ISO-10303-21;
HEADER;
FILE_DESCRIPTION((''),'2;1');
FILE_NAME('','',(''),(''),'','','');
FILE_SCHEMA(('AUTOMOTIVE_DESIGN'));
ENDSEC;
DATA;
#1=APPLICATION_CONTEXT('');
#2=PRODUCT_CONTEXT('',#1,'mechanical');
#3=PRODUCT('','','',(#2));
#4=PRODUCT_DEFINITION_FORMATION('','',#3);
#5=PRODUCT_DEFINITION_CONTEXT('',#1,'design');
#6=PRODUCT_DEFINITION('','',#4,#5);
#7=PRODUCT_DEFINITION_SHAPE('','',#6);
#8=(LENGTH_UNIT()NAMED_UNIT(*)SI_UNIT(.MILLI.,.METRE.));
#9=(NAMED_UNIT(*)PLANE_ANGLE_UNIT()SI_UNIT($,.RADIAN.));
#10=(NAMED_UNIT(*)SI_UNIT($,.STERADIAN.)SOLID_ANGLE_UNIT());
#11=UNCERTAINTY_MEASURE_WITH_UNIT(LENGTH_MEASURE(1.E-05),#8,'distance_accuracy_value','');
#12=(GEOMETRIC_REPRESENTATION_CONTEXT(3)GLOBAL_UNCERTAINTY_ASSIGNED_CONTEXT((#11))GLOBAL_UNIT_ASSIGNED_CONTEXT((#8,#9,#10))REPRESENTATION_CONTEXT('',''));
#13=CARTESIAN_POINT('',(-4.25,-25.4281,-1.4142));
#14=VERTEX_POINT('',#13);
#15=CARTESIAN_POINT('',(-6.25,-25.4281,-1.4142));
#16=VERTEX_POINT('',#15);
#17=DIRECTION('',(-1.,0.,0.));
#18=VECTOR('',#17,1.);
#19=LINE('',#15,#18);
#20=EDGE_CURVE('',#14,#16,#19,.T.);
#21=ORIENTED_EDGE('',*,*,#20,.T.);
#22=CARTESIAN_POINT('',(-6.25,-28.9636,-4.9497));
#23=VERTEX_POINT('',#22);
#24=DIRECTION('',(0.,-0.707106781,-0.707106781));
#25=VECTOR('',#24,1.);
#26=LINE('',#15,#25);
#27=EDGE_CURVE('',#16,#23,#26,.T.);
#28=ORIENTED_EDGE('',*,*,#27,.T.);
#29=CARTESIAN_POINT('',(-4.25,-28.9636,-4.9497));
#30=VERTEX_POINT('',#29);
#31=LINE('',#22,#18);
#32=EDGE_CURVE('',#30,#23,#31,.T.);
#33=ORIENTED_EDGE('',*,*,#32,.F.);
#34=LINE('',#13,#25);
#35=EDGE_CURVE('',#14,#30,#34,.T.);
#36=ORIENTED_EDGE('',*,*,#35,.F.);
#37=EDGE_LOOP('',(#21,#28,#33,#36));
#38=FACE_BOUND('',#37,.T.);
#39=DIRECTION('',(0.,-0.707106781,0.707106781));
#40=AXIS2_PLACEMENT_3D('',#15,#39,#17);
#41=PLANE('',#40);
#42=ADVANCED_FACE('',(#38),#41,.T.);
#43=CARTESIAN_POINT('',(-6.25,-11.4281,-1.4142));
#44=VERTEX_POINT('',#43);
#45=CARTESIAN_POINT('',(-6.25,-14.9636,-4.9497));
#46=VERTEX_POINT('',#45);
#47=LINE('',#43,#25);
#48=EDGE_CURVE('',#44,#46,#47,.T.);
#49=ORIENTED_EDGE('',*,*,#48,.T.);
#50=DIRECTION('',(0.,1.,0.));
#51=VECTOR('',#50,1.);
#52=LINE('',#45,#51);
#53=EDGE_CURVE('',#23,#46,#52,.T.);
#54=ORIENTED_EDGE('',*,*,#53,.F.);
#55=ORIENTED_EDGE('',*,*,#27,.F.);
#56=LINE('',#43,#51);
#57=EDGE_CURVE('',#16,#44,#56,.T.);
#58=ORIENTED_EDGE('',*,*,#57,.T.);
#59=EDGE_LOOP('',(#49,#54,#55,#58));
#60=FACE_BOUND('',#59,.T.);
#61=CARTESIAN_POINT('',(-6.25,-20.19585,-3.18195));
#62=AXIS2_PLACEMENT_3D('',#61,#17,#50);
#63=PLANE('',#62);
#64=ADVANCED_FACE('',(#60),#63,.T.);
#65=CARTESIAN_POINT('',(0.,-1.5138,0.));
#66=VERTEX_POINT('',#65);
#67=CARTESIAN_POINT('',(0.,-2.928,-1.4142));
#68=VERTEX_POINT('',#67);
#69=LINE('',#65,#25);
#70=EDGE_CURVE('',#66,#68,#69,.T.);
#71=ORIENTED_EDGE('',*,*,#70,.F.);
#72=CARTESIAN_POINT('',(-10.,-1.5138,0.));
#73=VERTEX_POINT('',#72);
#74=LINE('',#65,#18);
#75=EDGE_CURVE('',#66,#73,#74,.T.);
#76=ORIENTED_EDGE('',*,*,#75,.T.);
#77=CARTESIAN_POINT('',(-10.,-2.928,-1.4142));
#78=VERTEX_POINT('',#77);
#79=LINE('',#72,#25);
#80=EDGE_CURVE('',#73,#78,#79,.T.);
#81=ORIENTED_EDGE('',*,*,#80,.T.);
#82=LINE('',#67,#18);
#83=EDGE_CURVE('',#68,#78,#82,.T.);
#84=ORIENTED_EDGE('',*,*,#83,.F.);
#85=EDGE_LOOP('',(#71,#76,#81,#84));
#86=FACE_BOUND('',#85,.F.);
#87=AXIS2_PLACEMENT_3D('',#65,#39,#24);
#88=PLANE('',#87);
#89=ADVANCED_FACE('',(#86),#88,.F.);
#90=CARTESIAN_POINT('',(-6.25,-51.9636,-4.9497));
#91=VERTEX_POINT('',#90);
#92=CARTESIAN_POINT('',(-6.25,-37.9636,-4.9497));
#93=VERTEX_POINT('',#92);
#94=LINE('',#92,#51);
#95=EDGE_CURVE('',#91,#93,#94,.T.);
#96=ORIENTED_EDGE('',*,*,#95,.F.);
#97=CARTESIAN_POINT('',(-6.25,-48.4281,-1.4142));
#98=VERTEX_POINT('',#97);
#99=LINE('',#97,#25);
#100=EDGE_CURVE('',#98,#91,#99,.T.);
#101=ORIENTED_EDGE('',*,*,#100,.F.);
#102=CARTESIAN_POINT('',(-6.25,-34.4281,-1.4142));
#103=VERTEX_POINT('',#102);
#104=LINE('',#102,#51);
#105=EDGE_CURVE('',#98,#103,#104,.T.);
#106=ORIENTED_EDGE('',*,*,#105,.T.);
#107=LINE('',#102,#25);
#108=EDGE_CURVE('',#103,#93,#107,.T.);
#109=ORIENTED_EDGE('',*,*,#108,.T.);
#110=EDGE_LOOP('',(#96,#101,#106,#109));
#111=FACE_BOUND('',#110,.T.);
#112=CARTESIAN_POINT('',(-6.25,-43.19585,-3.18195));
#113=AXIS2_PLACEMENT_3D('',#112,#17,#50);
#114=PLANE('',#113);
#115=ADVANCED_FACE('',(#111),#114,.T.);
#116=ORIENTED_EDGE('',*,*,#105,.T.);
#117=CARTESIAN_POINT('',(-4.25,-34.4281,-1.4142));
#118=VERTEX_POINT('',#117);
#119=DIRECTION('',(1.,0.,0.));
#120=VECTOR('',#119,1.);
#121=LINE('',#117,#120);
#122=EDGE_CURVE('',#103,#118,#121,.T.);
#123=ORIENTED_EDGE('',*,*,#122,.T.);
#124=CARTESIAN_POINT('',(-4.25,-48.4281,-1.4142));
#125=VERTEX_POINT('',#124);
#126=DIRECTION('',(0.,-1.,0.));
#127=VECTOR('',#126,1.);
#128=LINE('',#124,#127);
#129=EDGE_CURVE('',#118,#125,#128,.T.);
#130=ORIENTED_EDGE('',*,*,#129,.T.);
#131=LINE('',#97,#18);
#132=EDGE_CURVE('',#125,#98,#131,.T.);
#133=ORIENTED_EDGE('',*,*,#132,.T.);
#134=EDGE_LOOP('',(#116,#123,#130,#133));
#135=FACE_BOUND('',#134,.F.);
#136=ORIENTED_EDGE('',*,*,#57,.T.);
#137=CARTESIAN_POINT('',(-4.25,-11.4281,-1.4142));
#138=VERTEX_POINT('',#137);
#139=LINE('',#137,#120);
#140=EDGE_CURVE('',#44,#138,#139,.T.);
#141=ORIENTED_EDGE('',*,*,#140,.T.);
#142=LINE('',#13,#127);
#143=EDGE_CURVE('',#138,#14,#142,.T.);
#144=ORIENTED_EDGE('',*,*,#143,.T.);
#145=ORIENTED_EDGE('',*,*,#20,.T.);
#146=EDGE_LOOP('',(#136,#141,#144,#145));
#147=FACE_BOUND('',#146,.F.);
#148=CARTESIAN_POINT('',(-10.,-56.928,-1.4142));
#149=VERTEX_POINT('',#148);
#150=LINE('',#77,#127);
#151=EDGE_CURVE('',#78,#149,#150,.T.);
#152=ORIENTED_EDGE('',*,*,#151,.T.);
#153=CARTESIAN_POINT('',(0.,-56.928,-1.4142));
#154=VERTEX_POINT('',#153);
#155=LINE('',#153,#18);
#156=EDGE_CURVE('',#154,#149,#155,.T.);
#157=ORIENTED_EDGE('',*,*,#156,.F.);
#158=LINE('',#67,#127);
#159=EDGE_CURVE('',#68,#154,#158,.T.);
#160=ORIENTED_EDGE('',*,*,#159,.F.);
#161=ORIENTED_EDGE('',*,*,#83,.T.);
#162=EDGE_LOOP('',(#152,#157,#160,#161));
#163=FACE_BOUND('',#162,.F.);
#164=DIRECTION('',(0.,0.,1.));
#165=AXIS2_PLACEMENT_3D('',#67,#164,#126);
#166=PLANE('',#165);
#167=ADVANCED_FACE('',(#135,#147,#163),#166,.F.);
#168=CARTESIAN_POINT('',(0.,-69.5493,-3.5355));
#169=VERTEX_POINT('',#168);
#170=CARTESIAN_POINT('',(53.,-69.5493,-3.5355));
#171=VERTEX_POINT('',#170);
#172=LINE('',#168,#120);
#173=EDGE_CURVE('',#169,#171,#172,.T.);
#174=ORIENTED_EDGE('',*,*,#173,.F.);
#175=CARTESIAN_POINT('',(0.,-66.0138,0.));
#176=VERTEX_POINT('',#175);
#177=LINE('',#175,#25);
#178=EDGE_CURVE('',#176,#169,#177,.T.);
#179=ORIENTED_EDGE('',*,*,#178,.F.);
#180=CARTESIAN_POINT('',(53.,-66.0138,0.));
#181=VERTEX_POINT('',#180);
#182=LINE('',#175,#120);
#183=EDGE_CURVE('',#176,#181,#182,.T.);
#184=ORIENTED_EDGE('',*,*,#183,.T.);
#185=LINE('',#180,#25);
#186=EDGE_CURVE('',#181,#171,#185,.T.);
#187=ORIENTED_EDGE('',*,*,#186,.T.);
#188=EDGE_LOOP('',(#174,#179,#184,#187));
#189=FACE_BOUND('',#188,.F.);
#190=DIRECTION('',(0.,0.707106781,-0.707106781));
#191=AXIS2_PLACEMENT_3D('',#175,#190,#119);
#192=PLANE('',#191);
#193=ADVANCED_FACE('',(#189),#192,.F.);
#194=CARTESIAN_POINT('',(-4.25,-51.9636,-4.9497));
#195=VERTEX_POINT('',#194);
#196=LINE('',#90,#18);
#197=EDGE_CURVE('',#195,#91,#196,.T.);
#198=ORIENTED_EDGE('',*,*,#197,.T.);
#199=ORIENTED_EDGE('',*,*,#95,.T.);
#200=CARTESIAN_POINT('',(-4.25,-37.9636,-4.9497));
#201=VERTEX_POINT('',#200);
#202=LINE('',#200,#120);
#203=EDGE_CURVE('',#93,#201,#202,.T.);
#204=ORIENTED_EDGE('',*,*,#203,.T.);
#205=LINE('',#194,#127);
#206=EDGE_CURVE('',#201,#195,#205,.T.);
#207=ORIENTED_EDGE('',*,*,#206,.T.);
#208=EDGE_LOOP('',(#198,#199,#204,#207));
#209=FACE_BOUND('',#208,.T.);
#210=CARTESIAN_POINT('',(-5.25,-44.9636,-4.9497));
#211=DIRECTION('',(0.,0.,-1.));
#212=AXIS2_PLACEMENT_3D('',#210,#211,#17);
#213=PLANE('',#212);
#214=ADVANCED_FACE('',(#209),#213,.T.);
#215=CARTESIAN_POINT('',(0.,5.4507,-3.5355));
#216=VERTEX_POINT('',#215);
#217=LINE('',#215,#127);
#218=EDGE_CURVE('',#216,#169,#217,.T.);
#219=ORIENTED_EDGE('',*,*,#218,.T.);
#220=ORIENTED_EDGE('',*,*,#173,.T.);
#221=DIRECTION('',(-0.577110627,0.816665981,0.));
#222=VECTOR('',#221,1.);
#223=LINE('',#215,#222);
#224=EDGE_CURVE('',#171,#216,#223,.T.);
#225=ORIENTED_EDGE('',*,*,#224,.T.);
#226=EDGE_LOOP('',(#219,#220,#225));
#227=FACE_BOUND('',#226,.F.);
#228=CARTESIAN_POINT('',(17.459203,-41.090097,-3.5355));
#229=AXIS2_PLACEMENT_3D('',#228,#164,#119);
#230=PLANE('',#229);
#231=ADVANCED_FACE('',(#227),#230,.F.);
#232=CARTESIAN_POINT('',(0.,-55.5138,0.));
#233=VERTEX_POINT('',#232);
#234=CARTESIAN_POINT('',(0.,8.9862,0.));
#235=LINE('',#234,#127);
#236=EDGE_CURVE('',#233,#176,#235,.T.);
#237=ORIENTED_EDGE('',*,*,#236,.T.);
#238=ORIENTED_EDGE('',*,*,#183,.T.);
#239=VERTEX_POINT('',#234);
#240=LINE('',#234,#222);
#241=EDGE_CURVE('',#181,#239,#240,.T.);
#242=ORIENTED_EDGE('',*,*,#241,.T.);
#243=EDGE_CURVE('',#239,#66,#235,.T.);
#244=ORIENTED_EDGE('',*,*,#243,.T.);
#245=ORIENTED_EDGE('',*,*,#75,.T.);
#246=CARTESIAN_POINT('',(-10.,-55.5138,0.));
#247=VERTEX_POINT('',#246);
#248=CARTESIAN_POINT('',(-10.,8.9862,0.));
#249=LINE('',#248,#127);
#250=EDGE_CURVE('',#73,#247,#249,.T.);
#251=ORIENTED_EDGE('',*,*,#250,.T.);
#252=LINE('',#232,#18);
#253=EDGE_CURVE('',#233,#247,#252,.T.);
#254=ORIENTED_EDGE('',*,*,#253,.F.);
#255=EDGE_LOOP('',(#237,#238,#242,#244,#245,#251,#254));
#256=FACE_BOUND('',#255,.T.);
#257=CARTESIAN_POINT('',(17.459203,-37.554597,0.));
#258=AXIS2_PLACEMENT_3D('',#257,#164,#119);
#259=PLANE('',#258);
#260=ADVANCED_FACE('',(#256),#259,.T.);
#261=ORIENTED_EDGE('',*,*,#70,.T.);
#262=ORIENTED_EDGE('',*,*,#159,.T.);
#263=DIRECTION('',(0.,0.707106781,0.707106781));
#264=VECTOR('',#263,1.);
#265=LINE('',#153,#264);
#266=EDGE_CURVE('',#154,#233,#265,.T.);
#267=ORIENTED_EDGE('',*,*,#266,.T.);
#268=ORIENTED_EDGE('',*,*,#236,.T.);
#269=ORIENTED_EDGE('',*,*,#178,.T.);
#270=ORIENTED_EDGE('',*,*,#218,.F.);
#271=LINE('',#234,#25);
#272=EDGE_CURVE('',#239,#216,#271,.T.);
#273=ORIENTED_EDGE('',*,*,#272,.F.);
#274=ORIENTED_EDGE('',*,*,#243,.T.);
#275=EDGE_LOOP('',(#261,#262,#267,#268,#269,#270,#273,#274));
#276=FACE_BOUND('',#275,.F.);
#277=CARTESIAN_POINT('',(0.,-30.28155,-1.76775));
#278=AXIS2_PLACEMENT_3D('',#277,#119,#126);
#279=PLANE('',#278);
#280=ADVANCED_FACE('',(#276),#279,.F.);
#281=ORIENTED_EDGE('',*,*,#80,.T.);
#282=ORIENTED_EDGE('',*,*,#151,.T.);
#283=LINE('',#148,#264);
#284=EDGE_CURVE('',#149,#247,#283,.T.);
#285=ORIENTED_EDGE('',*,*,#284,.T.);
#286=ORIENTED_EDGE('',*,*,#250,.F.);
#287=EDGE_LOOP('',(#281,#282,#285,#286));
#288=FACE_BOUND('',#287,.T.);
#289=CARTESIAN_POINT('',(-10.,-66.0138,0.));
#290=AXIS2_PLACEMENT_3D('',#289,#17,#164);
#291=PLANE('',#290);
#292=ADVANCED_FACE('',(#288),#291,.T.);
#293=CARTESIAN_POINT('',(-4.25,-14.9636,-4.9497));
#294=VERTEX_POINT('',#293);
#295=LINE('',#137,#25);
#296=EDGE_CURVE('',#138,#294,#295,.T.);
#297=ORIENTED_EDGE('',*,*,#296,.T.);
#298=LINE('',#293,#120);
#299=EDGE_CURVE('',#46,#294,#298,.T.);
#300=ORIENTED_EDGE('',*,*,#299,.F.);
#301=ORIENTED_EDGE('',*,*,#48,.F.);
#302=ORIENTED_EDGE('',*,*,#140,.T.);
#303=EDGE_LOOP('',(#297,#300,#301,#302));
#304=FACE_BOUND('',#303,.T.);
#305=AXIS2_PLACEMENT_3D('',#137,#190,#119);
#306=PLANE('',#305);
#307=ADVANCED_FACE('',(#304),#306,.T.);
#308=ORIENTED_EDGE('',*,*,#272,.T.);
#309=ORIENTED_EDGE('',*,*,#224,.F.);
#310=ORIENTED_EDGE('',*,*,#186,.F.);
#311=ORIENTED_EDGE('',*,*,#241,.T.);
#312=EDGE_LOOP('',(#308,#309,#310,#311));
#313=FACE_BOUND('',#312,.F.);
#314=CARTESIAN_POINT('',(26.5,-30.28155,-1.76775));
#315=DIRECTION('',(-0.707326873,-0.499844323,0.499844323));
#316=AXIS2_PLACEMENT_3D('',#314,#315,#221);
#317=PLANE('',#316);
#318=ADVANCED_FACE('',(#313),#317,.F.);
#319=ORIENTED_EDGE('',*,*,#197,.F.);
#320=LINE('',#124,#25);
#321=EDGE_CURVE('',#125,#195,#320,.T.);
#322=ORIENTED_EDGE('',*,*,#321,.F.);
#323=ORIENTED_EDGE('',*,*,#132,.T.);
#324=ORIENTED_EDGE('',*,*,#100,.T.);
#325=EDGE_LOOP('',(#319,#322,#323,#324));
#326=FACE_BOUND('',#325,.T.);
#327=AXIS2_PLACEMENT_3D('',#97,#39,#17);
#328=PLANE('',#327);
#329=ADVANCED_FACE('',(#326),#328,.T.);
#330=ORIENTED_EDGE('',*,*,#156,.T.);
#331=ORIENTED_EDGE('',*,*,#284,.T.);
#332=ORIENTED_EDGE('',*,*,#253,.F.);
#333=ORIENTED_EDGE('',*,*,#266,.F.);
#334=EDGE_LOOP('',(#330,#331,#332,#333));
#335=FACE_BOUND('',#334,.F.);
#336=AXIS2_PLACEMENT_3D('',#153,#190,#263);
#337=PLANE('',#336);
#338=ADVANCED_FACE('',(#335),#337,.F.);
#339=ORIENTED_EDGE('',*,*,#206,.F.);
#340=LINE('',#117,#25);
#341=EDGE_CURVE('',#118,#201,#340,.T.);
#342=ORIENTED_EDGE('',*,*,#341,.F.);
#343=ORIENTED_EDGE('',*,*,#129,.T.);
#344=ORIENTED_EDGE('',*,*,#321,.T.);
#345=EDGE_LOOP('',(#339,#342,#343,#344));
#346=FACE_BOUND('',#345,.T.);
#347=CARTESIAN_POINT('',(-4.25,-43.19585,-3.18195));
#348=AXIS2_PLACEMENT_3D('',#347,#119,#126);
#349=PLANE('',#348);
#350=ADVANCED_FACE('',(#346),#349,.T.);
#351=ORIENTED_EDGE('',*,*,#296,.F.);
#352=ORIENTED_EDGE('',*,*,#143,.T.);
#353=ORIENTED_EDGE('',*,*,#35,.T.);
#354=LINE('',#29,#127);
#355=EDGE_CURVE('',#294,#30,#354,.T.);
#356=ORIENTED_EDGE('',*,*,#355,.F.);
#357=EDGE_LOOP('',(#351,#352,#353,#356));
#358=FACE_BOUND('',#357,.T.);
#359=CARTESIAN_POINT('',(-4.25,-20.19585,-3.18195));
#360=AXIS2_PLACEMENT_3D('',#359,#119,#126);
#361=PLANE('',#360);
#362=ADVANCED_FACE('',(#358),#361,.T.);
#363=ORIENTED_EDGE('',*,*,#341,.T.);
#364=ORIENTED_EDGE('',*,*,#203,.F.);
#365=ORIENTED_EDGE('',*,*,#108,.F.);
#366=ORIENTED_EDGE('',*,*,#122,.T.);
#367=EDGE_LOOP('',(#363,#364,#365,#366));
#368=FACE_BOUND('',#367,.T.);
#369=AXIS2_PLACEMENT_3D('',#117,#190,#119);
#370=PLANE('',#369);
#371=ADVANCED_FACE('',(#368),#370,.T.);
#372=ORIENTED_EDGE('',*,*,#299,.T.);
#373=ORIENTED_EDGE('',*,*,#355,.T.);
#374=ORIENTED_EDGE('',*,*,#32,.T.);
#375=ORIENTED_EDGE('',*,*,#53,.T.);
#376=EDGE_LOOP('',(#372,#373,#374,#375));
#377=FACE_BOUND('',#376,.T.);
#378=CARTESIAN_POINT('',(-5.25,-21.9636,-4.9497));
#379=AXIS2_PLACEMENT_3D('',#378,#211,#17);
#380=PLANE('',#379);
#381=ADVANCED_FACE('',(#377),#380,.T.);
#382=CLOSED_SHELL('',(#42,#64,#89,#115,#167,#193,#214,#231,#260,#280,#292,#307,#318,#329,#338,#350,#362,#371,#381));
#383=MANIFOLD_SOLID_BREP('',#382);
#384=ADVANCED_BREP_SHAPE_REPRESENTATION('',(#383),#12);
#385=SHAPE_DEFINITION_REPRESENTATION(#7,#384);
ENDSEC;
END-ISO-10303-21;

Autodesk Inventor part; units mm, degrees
ref_plane "YZ Plane" through (0, 0, 0) normal (1, 0, 0) x (0, 1, 0)
ref_plane "XZ Plane" through (0, 0, 0) normal (0, 1, 0) x (-1, 0, 0)
ref_plane "XY Plane" through (0, 0, 0) normal (0, 0, 1) x (1, 0, 0)
sketch "Sketch1" plane through (0, 0, 0) normal (0, 0, 1) x (1, 0, 0)
  line L0 (0, 8.9862) -> (0, -66.0138)
  line L1 (0, 8.9862) -> (53, -66.0138)
  line L2 (0, -66.0138) -> (53, -66.0138)
  point P0 (0, 0)
  dimension "d0" = 75
  dimension "d39" = 53
sketch "Sketch2" plane through (0, 0, 0) normal (1, 0, 0) x (0, 1, 0)
  line L0 (4.5625, 0) -> (1.027, -3.5355)
  line L1 (1.9119, 0) -> (-2.0934, 0)
  point P0 (0, 0)
  dimension "d2" = 45
  dimension "d3" = 5
sweep "Sweep1" add profiles "Sketch1" path "Sketch2" path curves L0
sketch "Sketch3" plane through (0, -66.0138, 0) normal (-1, 0, 0) x (0, 0, 1)
  line L0 (0, 75) -> (0, 0) projected
  line L1 (0, 75) -> (-3.5355, 71.4645) projected
  line L2 (-3.5355, -3.5355) -> (-3.5355, 71.4645) projected
  line L3 (0, 0) -> (-3.5355, -3.5355) projected
  line L4 (0, 64.5) -> (-1.4142, 63.0858)
  line L5 (-1.4142, 63.0858) -> (-1.4142, 9.0858)
  line L6 (-1.4142, 9.0858) -> (0, 10.5)
  point P0 (0, 66.0138)
  dimension "d6" = 2
  dimension "d7" = 2
  dimension "d8" = 54
  dimension "d9" = 75
  dimension "d10" = 10.5
  dimension "d11" = 10.5
extrude "Extrusion1" add sketch "Sketch3" along normal blind 10 contours L0 L6 L5 L4
sketch "Sketch5" plane through (0, -56.9281, -1.4142) normal (0, 0, -1) x (-1, 0, 0)
  line L0 (0, 0) -> (0, 54) projected
  line L1 (0, 0) -> (10, 0) projected
  line L2 (10, 54) -> (10, 0) projected
  line L3 (0, 54) -> (10, 54) projected
  line L4 (4.25, 45.5) -> (6.25, 45.5)
  line L5 (6.25, 45.5) -> (6.25, 31.5)
  line L6 (6.25, 31.5) -> (4.25, 31.5)
  line L7 (4.25, 31.5) -> (4.25, 45.5)
  line L8 (4.25, 22.5) -> (6.25, 22.5)
  line L9 (6.25, 22.5) -> (6.25, 8.5)
  line L10 (6.25, 8.5) -> (4.25, 8.5)
  line L11 (4.25, 8.5) -> (4.25, 22.5)
  point P0 (0, 56.9281)
  dimension "d28" = 2
  dimension "d29" = 8.5
  dimension "d30" = 4.25
  dimension "d31" = 14
  dimension "d32" = 14
  dimension "d33" = 8.5
  dimension "d34" = 9
  dimension "d35" = 54
sketch "Sketch6" plane through (0, -69.5494, -3.5355) normal (-1, 0, 0) x (0, 0, 1)
  line L0 (3.5355, 14.0355) -> (2.1213, 12.6213) projected
  line L1 (2.1213, 12.6213) -> (2.1213, 66.6213) projected
  line L2 (2.1213, 66.6213) -> (3.5355, 68.0355) projected
  line L3 (3.5355, 78.5355) -> (3.5355, 68.0355) projected
  line L4 (3.5355, 78.5355) -> (0, 75) projected
  line L5 (0, 0) -> (0, 75) projected
  line L6 (3.5355, 3.5355) -> (0, 0) projected
  line L7 (3.5355, 14.0355) -> (3.5355, 3.5355) projected
  line L8 (3.5355, 68.0355) -> (2.1213, 66.6213) projected
  line L9 (2.1213, 66.6213) -> (2.1213, 12.6213) projected
  line L10 (2.1213, 12.6213) -> (3.5355, 14.0355) projected
  line L11 (3.5355, 14.0355) -> (3.5355, 68.0355) projected
  line L12 (2.1213, 64.596) -> (-1.4142, 61.0605)
  point P0 (3.5355, 69.5494)
  dimension "d36" = 5
sweep "Sweep2" add profiles "Sketch5" path "Sketch6" path curves L12 contours L4 L5 L6 L7 | L8 L9 L10 L11
equation "\"d10\" = -0.5 * d8 + 0.5 * d9"
equation "\"d32\" = d31"
equation "\"d33\" = d29"
properties part number "Rooft Extension Right Attachment"
